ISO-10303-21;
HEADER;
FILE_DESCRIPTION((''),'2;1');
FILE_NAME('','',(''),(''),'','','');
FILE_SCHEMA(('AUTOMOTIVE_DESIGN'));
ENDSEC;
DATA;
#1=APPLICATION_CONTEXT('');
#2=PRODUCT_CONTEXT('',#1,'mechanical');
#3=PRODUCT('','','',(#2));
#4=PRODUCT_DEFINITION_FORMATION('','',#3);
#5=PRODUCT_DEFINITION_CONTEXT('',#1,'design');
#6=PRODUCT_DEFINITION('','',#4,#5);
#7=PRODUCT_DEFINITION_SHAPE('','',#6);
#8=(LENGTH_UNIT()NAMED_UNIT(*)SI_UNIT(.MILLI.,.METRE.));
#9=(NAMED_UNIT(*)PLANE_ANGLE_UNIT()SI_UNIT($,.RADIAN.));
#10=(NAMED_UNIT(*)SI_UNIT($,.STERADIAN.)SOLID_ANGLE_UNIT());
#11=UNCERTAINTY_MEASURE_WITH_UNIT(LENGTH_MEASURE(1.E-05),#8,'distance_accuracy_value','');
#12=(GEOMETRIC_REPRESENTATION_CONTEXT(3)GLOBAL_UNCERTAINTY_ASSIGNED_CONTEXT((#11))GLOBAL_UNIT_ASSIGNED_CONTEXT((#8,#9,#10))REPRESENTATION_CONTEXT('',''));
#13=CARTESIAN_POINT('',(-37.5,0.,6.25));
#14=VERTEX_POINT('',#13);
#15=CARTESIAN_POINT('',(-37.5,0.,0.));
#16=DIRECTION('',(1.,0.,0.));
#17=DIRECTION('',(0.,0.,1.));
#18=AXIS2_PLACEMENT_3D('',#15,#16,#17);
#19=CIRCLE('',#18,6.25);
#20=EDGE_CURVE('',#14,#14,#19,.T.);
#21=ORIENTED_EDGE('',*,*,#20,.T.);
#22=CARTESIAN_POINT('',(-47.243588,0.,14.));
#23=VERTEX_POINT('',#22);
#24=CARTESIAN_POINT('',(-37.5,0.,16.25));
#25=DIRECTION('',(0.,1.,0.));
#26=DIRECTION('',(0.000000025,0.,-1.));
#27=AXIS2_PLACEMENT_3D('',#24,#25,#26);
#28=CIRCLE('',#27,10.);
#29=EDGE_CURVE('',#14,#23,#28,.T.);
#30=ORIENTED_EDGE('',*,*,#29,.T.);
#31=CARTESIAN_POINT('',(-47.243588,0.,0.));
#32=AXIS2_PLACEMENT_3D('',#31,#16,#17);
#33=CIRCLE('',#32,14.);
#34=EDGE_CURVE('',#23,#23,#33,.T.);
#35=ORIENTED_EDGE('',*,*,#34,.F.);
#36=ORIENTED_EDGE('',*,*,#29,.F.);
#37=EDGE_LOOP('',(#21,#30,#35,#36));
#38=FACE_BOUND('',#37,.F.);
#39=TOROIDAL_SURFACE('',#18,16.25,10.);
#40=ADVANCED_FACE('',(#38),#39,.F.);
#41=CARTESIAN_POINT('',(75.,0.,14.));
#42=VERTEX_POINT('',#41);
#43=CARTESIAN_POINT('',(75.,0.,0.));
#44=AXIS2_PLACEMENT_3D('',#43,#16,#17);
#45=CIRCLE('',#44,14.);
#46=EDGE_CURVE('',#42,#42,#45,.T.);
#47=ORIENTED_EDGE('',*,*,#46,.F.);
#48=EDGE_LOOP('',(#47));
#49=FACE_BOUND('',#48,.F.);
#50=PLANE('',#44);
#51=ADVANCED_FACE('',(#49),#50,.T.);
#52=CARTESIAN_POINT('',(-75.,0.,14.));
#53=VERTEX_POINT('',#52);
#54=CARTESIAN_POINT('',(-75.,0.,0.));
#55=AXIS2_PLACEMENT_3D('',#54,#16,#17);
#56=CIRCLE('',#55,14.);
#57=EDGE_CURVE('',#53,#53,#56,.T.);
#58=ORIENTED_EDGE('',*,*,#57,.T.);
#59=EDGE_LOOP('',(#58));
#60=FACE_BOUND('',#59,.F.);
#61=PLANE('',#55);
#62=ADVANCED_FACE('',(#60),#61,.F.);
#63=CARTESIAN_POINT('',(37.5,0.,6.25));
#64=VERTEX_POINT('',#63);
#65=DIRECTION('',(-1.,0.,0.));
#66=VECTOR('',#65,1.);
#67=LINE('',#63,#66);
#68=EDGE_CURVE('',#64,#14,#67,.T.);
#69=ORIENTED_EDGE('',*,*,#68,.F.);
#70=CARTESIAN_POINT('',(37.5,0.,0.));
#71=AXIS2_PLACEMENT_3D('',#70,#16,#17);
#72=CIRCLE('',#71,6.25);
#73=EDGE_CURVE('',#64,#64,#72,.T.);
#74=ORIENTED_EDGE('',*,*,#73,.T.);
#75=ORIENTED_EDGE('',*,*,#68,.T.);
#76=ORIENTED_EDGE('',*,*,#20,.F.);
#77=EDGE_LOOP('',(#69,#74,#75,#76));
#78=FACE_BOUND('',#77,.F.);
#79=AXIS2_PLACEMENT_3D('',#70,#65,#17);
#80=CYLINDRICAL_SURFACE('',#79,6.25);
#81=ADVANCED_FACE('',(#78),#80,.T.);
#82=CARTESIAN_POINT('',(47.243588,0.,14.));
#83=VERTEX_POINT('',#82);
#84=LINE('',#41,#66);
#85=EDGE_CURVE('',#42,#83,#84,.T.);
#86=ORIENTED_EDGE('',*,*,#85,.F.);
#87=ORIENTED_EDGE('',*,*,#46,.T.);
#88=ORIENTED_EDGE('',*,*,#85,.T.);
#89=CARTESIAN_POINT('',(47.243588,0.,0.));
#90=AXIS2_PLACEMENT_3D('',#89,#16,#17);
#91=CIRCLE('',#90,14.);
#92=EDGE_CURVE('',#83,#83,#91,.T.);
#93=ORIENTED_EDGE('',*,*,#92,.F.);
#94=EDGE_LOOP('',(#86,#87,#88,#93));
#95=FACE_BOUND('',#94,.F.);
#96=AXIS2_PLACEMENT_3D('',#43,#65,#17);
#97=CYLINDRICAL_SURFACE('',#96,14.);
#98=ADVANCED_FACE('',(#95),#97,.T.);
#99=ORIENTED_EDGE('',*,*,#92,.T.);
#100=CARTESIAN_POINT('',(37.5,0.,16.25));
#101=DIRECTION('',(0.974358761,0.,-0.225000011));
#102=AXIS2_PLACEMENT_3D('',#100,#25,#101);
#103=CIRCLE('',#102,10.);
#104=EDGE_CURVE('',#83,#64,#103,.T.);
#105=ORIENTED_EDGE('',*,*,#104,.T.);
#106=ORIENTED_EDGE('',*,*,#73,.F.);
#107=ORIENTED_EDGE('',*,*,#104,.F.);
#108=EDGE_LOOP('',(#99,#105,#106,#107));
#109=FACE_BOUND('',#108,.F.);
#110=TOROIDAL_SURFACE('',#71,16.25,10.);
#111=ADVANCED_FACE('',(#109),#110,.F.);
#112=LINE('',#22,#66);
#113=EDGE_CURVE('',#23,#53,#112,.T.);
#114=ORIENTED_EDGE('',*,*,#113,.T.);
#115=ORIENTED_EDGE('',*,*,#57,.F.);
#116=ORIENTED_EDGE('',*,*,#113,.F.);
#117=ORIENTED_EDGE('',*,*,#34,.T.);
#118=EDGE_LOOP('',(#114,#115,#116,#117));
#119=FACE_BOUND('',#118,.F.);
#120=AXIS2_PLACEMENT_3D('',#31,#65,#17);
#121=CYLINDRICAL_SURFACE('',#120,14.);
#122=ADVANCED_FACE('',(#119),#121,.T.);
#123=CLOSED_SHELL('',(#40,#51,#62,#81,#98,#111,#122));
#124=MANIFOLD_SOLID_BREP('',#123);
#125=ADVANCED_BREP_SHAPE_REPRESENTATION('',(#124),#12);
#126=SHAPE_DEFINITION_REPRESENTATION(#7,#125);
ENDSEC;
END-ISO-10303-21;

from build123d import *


with BuildPart() as f1:
    # F0 (on Front) → F1 (revolve)
    with BuildSketch(Plane.XZ):
        with BuildLine():
            Line((37.5, 6.25), (0, 6.25))
            Line((0, 6.25), (-37.5, 6.25))
            ThreePointArc((-37.5, 6.25), (-43.72495, 8.423762), (-47.243588, 14))
            Line((-47.243588, 14), (-75, 14))
            Line((-75, 14), (-75, 0))
            Line((-75, 0), (0, 0))
            Line((0, 0), (75, 0))
            Line((75, 0), (75, 14))
            Line((75, 14), (47.243588, 14))
            ThreePointArc((47.243588, 14), (43.72495, 8.423762), (37.5, 6.25))
        make_face()
    revolve(axis=Axis((-37.5, 0, 0), (1, 0, 0)))


solid = f1.part
